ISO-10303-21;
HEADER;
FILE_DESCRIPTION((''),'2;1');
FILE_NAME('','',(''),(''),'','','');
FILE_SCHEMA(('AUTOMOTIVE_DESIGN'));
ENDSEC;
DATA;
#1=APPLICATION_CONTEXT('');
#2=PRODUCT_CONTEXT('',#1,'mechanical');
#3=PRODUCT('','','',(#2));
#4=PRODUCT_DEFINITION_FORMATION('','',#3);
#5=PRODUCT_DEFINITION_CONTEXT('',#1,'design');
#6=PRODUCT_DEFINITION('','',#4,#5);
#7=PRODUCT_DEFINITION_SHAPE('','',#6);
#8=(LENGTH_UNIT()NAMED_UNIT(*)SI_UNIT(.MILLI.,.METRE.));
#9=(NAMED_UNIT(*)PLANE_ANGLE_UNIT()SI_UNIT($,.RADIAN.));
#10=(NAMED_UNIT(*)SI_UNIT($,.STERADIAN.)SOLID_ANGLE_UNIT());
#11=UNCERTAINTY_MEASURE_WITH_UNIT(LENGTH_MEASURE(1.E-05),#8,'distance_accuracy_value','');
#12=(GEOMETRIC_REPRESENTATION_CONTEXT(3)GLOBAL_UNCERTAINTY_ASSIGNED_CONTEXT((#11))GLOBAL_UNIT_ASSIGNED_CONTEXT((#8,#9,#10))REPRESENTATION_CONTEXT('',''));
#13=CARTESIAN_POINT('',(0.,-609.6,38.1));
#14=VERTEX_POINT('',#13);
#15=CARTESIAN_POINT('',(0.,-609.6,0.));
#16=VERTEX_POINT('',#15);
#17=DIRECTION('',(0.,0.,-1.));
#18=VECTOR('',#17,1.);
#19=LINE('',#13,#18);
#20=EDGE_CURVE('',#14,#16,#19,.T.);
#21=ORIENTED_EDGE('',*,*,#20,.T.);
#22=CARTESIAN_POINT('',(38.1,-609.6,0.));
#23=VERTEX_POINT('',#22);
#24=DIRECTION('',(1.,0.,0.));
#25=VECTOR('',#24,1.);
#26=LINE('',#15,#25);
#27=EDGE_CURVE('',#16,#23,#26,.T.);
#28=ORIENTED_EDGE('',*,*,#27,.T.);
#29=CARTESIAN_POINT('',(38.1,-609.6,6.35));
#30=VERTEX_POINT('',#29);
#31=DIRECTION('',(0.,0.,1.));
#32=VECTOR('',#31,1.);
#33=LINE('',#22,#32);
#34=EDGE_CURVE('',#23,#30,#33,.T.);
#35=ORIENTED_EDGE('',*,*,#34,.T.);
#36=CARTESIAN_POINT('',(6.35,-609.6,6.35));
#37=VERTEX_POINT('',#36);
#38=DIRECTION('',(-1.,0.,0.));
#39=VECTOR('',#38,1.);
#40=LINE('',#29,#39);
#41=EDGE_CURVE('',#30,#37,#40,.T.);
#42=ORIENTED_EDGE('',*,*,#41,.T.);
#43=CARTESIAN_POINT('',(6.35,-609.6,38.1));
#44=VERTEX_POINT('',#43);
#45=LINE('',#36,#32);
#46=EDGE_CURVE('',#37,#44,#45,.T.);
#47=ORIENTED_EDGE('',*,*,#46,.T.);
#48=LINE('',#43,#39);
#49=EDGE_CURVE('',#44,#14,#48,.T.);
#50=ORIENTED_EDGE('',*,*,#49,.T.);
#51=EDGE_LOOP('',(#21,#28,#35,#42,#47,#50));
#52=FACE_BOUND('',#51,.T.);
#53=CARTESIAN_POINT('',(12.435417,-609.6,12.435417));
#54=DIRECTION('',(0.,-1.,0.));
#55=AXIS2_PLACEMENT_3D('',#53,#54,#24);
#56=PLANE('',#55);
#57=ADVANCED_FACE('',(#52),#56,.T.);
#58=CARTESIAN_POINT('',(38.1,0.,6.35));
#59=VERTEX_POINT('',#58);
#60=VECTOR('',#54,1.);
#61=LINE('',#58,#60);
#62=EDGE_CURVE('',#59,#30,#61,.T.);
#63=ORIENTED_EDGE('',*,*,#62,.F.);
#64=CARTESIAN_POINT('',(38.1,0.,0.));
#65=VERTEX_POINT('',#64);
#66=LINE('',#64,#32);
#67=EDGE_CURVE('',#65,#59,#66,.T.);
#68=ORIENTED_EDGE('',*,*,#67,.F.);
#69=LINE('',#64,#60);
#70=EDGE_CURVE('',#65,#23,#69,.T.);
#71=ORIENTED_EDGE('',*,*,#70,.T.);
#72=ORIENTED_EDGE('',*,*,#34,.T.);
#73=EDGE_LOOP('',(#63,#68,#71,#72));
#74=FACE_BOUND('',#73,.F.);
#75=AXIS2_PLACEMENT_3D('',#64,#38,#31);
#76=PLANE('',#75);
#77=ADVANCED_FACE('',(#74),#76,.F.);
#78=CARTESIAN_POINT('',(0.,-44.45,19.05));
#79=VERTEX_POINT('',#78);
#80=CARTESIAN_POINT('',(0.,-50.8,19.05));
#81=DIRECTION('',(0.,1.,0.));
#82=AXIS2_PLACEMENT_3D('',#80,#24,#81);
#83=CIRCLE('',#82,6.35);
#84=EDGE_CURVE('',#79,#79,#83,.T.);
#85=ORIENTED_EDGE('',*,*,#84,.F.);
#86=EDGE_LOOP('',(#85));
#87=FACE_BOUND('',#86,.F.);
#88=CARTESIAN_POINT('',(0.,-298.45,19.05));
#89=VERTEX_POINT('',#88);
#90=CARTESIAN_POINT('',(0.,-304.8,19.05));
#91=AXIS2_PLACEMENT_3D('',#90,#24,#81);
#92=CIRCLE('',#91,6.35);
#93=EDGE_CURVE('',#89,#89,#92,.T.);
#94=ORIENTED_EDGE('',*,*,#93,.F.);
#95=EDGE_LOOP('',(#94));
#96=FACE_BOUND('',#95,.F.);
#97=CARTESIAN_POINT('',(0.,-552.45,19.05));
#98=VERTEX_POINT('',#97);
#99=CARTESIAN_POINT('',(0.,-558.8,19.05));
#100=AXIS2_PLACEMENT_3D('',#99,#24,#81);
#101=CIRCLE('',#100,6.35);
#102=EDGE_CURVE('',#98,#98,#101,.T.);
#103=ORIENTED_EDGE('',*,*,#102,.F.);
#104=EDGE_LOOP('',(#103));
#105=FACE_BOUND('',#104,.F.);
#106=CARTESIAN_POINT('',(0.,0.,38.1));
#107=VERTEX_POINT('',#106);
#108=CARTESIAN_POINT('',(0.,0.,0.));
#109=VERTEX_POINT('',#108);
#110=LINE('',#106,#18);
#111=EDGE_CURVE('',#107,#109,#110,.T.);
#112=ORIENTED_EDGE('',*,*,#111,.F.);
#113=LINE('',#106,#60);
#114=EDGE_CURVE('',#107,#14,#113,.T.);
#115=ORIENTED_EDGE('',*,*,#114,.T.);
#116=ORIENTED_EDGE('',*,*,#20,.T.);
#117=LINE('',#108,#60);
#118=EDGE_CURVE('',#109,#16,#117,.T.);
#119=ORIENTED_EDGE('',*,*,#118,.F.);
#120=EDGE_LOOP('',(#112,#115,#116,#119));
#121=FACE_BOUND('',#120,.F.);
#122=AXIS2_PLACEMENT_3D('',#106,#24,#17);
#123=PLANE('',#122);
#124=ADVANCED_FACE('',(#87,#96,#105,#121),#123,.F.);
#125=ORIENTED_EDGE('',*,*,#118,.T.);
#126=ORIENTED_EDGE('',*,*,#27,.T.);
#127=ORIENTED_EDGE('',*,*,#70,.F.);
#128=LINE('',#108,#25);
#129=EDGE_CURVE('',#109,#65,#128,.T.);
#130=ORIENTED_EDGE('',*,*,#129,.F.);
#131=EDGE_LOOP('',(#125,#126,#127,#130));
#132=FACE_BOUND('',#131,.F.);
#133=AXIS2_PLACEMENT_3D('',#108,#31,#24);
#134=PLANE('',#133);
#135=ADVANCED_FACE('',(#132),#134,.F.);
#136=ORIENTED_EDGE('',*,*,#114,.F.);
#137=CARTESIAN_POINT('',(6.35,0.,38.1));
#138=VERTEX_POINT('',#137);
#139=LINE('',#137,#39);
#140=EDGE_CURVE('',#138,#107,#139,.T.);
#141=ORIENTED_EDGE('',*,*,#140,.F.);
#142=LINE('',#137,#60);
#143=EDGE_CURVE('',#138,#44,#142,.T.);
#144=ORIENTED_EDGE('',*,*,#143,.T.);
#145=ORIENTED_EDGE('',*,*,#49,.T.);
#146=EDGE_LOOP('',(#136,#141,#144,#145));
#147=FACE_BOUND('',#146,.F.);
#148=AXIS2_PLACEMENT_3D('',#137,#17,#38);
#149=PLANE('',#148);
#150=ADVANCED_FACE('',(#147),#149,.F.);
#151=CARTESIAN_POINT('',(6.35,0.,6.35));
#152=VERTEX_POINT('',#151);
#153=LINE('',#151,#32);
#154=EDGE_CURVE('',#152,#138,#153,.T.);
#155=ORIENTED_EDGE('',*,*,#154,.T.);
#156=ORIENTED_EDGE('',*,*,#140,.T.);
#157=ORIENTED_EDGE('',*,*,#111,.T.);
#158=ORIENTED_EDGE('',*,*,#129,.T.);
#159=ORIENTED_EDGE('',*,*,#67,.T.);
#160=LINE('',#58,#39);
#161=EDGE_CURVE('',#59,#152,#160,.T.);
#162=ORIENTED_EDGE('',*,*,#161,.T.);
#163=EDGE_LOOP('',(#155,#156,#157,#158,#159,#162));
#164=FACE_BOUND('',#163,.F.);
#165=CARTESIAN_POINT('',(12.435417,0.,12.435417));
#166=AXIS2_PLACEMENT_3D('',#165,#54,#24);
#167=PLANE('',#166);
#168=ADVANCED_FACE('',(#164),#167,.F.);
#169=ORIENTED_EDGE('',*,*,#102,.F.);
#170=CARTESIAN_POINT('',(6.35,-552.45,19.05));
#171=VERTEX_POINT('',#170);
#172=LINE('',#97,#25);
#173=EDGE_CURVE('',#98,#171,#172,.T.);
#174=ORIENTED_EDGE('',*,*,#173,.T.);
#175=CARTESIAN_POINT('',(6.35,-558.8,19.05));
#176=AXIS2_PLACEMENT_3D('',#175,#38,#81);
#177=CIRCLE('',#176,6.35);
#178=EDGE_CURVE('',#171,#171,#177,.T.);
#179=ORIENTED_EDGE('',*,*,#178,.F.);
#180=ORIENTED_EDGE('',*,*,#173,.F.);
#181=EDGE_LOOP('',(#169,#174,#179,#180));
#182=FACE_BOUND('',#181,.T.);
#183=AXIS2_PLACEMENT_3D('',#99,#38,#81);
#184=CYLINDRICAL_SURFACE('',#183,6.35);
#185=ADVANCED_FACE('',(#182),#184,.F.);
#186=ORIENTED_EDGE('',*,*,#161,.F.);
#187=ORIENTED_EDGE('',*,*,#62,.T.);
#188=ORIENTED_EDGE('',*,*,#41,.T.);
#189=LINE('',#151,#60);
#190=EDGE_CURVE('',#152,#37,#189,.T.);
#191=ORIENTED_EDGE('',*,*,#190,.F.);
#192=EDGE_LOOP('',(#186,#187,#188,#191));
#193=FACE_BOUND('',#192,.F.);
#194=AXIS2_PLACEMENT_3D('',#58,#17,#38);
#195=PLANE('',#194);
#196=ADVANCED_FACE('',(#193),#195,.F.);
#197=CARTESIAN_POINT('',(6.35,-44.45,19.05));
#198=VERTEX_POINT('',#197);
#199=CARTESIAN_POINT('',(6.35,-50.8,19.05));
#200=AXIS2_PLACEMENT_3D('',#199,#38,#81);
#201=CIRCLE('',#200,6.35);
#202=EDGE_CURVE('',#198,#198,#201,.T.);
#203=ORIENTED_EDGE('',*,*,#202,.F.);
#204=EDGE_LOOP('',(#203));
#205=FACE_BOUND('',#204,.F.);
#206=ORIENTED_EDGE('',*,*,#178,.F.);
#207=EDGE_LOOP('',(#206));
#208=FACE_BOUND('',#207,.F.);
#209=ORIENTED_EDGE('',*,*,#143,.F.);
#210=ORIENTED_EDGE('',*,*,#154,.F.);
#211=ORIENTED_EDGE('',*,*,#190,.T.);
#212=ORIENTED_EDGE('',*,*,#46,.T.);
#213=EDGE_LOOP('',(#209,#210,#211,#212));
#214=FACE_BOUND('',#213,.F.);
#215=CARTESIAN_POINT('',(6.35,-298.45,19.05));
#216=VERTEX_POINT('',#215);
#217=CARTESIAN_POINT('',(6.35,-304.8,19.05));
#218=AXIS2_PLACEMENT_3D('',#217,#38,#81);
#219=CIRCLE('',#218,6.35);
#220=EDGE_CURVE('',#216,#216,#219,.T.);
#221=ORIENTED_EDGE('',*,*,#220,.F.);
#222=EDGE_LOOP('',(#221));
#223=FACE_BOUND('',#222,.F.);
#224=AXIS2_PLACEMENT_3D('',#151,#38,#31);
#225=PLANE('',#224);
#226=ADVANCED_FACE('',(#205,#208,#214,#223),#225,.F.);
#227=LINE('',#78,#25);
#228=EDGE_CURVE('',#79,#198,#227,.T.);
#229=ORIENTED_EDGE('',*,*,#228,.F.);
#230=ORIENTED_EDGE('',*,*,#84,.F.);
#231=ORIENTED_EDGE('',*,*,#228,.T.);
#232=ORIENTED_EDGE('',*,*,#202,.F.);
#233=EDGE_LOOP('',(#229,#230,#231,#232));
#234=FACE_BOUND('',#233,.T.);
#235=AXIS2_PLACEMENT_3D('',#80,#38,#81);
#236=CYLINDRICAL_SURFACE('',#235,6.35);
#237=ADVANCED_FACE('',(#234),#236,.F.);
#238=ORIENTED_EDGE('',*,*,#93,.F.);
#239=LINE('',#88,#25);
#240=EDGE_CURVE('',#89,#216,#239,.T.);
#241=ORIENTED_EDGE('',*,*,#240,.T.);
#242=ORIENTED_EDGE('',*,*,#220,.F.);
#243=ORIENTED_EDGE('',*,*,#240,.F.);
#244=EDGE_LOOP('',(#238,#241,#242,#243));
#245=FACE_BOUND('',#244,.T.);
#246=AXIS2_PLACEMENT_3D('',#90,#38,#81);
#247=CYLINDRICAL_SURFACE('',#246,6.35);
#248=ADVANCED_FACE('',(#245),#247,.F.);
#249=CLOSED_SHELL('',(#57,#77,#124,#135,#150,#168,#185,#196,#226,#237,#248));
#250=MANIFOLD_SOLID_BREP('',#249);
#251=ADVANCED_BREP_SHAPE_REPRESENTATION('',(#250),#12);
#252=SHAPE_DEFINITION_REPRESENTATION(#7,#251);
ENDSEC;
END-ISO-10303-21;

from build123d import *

# Parameters (mm, degrees)
F1_DEPTH = 609.6
F2_R     = 6.35
F3_DEPTH = 25.4


with BuildPart() as f1:
    # F0 (on Front) → F1 (new body)
    with BuildSketch(Plane.XZ):
        Polygon((0, 38.1), (0, 0), (38.1, 0), (38.1, 6.35), (6.35, 6.35), (6.35, 38.1), align=None)
    extrude(amount=F1_DEPTH)

    # F2 (on Right) → F3 (cut)
    with BuildSketch(Plane.YZ):
        with Locations((-50.8, 19.05)):
            Circle(F2_R)
        with Locations((-304.8, 19.05)):
            Circle(F2_R)
        with Locations((-558.8, 19.05)):
            Circle(F2_R)
    extrude(amount=F3_DEPTH, mode=Mode.SUBTRACT)


solid = f1.part
